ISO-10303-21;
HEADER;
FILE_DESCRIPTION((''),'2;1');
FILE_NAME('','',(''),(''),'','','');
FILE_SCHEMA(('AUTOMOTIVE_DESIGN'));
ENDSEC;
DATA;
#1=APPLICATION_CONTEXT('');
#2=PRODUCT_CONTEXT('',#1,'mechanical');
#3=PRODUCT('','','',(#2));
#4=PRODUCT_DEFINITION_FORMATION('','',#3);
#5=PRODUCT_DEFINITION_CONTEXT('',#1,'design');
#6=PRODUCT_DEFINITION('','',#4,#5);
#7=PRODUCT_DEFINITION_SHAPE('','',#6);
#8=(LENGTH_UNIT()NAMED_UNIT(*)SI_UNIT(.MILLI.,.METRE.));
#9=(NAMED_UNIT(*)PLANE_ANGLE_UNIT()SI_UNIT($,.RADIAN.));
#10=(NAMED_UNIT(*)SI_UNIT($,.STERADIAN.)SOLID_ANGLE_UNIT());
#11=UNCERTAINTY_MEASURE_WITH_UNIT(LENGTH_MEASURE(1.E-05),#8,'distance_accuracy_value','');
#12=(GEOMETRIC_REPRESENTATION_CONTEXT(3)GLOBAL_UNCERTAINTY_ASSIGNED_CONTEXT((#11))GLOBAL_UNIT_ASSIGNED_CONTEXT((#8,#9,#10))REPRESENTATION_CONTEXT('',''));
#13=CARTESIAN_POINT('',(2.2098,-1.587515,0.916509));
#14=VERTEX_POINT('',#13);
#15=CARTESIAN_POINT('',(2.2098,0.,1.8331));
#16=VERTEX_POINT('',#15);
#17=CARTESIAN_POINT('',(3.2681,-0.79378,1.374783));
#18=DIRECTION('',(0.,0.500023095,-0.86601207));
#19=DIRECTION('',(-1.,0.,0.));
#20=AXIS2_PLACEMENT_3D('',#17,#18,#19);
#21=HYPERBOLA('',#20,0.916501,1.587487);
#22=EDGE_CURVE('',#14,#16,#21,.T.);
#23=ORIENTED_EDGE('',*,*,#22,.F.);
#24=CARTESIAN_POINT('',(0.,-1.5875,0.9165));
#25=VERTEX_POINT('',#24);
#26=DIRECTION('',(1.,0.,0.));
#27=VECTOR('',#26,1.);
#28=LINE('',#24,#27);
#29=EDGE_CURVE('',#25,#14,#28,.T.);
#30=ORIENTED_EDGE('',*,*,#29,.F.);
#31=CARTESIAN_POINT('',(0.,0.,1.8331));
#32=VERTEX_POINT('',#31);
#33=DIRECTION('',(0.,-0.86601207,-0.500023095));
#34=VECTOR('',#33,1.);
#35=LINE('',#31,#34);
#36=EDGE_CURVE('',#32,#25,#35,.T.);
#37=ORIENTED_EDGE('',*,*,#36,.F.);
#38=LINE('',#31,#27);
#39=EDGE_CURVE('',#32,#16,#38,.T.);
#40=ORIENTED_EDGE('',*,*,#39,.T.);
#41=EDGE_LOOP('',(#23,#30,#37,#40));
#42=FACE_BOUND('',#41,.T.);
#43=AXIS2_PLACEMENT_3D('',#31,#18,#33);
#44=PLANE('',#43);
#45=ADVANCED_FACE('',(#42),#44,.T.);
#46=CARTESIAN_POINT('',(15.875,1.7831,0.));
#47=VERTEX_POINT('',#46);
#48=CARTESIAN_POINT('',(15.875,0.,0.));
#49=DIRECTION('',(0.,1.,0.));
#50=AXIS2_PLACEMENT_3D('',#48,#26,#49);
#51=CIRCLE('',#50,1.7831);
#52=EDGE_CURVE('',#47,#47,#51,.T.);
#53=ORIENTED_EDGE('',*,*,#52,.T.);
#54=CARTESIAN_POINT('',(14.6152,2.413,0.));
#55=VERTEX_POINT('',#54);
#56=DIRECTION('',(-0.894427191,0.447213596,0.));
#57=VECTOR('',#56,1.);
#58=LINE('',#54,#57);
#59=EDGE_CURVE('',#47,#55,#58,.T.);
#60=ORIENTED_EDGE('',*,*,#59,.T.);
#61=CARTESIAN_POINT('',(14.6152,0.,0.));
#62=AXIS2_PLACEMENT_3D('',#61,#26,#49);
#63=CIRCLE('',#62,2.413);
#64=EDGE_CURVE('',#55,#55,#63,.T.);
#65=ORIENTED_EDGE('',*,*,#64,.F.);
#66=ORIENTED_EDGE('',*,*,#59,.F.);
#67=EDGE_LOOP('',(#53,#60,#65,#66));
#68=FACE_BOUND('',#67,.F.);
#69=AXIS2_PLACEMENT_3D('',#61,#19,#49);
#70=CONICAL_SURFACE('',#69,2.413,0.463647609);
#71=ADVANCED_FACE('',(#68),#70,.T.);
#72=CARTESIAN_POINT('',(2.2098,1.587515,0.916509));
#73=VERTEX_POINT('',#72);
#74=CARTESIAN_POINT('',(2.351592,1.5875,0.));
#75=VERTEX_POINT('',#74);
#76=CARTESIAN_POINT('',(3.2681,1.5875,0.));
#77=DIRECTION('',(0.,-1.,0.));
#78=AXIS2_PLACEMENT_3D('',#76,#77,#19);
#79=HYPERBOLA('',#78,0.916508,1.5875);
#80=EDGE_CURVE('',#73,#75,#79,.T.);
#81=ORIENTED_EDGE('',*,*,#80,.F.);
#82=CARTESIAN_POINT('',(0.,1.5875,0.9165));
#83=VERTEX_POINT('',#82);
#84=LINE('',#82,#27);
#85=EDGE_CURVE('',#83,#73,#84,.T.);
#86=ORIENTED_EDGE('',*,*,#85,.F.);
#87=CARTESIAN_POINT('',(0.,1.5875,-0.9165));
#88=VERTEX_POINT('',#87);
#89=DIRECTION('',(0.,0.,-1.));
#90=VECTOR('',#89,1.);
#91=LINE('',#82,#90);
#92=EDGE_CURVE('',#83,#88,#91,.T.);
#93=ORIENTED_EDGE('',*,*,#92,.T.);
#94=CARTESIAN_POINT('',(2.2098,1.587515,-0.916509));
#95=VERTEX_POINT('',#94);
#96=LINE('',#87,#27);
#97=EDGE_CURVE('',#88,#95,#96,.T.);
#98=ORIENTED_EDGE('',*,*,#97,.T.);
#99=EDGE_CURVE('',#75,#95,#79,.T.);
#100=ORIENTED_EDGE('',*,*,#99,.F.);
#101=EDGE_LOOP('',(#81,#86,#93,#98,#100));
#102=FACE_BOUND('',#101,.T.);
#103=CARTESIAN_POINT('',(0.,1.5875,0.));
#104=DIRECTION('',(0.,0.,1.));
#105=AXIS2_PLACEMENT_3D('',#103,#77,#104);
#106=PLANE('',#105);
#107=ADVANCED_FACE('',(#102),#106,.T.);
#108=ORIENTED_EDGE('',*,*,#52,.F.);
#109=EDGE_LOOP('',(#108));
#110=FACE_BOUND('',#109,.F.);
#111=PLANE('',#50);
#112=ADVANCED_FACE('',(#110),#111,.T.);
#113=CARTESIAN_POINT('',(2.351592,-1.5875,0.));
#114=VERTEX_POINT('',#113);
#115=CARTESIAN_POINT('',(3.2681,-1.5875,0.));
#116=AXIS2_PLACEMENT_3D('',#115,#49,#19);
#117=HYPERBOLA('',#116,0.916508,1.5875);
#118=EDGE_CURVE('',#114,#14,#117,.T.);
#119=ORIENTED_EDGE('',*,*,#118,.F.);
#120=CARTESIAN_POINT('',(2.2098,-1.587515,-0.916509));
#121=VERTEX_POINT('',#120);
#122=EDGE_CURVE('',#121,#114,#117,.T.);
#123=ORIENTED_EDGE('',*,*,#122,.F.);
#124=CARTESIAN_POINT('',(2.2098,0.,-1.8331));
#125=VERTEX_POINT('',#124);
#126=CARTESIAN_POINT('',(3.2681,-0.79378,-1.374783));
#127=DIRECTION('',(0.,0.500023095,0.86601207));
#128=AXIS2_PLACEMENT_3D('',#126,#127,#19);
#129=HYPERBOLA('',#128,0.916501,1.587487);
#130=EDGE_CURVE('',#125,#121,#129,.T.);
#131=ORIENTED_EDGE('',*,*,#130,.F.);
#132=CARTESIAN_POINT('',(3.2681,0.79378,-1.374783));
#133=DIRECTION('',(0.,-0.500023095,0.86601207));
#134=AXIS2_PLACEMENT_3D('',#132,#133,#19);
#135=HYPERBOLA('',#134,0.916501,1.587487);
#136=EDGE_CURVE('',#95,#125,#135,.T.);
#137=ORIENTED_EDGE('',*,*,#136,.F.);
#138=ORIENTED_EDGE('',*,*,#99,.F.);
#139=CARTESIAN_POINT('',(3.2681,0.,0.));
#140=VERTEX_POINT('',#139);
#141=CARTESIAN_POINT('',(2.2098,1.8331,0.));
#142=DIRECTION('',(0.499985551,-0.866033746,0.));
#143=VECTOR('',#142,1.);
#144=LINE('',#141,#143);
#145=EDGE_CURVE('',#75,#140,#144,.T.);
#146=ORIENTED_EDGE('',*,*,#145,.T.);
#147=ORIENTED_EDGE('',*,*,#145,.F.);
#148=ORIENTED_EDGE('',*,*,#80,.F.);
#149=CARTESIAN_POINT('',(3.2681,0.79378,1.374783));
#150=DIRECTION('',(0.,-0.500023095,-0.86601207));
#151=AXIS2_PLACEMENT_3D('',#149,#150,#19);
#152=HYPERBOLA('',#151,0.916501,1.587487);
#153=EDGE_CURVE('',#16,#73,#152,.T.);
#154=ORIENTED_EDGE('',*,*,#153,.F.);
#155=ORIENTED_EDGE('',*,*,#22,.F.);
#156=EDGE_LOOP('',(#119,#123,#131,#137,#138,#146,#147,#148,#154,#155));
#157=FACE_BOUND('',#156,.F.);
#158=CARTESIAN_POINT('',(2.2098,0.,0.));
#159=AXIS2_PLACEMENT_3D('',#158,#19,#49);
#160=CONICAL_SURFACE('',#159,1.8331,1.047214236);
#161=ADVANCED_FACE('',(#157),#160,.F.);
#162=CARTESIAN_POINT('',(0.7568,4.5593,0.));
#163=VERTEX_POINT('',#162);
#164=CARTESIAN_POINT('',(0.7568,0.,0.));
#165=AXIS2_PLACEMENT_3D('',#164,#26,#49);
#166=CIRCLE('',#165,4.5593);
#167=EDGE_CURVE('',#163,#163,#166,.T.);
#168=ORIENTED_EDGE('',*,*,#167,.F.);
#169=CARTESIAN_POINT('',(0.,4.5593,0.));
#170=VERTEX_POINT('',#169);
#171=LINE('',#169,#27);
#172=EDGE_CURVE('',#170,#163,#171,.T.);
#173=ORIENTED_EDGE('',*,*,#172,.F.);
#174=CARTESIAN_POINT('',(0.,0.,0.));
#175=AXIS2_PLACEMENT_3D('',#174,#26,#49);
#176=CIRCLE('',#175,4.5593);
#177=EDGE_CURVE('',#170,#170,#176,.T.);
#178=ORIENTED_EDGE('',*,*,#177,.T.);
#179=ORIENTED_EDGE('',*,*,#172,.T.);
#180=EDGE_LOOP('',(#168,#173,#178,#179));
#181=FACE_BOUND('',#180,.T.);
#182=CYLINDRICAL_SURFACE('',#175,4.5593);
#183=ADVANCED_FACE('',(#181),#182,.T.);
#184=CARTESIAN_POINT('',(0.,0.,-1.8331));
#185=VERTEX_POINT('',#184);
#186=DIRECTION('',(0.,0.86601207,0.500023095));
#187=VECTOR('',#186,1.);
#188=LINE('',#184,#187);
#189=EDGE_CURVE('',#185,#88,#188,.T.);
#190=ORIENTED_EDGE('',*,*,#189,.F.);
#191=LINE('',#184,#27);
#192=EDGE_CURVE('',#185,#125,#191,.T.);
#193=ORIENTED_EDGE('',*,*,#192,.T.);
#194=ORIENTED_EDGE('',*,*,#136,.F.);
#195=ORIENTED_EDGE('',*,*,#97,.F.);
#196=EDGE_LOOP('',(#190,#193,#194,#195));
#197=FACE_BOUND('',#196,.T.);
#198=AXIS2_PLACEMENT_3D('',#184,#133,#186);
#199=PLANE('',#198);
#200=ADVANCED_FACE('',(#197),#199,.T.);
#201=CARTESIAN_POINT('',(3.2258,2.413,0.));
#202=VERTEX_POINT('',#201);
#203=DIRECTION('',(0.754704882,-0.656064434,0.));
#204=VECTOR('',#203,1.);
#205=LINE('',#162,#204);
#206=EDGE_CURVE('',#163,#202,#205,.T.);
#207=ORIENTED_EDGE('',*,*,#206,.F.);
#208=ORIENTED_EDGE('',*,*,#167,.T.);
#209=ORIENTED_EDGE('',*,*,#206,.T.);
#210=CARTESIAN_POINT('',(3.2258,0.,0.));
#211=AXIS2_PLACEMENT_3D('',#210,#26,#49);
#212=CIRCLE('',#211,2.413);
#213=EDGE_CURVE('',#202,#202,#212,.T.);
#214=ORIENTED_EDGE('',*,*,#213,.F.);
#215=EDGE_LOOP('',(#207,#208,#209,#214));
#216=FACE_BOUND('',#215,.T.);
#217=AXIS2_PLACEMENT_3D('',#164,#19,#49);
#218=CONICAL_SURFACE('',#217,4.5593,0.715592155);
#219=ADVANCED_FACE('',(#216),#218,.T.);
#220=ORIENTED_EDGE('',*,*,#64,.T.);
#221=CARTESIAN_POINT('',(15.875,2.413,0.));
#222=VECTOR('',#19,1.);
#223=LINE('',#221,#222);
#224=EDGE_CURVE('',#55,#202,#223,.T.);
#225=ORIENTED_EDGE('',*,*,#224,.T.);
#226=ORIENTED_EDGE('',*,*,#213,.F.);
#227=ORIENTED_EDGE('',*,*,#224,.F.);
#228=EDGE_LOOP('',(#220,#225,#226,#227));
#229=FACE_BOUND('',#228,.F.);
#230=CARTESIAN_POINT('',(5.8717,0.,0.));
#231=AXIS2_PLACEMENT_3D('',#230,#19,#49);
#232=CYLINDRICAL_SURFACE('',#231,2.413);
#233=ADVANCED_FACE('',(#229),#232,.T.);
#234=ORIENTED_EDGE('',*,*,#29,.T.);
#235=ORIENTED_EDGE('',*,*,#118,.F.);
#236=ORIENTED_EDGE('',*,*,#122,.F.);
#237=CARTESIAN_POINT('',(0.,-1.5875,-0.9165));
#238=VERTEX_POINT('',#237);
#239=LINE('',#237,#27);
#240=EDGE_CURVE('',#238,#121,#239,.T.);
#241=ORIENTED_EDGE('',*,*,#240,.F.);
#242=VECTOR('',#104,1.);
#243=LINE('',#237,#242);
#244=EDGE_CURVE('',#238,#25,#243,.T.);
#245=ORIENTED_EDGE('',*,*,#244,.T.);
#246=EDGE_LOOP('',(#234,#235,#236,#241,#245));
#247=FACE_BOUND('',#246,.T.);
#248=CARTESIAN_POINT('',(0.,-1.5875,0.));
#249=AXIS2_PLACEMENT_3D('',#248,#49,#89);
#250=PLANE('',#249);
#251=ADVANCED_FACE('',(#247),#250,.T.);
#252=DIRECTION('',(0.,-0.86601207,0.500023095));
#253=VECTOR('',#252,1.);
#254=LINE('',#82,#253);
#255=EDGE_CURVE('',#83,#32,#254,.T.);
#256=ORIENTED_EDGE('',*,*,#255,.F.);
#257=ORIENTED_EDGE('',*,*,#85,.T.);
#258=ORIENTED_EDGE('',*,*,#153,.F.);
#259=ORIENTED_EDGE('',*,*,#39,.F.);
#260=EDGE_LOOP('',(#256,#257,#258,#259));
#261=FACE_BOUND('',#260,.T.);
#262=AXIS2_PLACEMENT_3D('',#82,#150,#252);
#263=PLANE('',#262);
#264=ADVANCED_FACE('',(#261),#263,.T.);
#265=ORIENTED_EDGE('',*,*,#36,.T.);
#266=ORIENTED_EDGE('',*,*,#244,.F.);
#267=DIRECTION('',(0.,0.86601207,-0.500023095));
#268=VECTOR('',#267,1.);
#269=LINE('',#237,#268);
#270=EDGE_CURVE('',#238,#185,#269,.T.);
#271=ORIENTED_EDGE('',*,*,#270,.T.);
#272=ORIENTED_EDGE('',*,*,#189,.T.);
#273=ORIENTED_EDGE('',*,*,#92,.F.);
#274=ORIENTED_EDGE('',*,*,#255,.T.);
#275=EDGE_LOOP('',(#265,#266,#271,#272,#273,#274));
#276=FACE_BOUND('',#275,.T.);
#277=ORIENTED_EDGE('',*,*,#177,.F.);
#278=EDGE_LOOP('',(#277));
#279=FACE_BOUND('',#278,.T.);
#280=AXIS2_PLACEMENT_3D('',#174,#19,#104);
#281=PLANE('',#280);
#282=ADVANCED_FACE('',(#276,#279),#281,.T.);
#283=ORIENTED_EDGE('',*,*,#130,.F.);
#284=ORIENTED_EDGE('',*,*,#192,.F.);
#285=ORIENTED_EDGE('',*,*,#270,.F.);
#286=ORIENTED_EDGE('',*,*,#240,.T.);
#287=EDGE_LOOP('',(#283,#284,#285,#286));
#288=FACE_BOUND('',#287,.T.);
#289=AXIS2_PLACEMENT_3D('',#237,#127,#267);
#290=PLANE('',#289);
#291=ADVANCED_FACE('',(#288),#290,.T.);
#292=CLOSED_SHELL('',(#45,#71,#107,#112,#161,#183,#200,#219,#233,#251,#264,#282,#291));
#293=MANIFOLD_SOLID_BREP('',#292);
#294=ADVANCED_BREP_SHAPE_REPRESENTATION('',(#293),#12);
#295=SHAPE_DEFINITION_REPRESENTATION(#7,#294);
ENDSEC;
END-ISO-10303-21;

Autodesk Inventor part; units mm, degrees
ref_plane "YZ Plane" through (0, 0, 0) normal (1, 0, 0) x (0, 1, 0)
ref_plane "XZ Plane" through (0, 0, 0) normal (0, 1, 0) x (-1, 0, 0)
sketch "Sketch1" plane through (0, 0, 0) normal (0, 0, 1) x (1, 0, 0)
  line L0 (15.875, 0) -> (15.875, 2.413)
  line L1 (15.875, 2.413) -> (5.8717, 2.413)
  line L2 (5.8717, 2.413) -> (3.2258, 2.413)
  line L3 (0, 4.5593) -> (0, 1.8331)
  line L4 (0, 1.8331) -> (2.2098, 1.8331)
  line L5 (2.2098, 1.8331) -> (3.2681, 0)
  line L6 (3.2681, 0) -> (15.875, 0)
  line L7 (0, 4.5593) -> (0.7568, 4.5593)
  line L8 (0.7568, 4.5593) -> (3.2258, 2.413)
  line L9 (3.2258, 2.413) -> (3.2258, 2.413)
  line L10 (5.8717, 2.413) -> (3.2258, 2.413) construction
  line L11 (3.2258, 2.413) -> (3.2258, 2.413)
  line L12 (-3.175, 0) -> (19.05, 0) projected
  line L13 (0, -0.9119) -> (0, 5.4712) projected
  dimension "d0" = 15.875
  dimension "d1" = 10.0033
  dimension "d2" = 2.2098
  dimension "d3" = 4.826
  dimension "d6" = 3.2258
  dimension "d7" = 41
  dimension "d8" = 3.6662
  dimension "d9" = 60
  dimension "d10" = 9.1186
  dimension "d11" = 4.826
  dimension "d12" = 2.6459
revolve "Body" add sketch "Sketch1" angle 360 about axis through (3.2681, 0, 0) along (1, 0, 0) contours L6 L5 L4 L3 L7 L8 L2 L1 L0
sketch "Sketch2" plane through (0, 0, 0) normal (-1, 0, 0) x (0, 0, 1)
  circle A0 centre (0, 0) radius 1.8331 projected
  line L0 (0, -6.383) -> (0, 6.383) projected
  line L1 (-6.383, 0) -> (6.383, 0) projected
  line L2 (1.8331, 0) -> (0.9165, -1.5875)
  line L3 (0.9165, -1.5875) -> (-0.9165, -1.5875)
  line L4 (-0.9165, -1.5875) -> (-1.8331, 0)
  line L5 (-1.8331, 0) -> (-0.9165, 1.5875)
  line L6 (-0.9165, 1.5875) -> (0.9165, 1.5875)
  line L7 (0.9165, 1.5875) -> (1.8331, 0)
  point P0 (0, 1.8331)
extrude "Slot" add sketch "Sketch2" against normal up to next contours L7 A0 | A0 L2 | L6 L0 A0 | A0 L0 L3 | L0 L6 A0 | A0 L3 L0 | L4 A0 | A0 L5
thread "Thread" size "10-24 UNC" class "2A" standard "ANSI Unified Screw Threads" length 10.0033
chamfer "Chamfer1" distance 0.6299 distance2 1.2598 1 edges at (15.875, -2.413, 0) measured on face at (15.875, -0.0132, -0.958)
ref_plane "Work Plane1" through (104.775, 0, 0) normal (0, 0, -1) x (1, 0, 0)
equation "\"d15\" = GEL"
equation "\"d17\" = -0.5 * SPD + 0.5 * GD"
equation "\"d18\" = GUL"
equation "\"d0\" = NLG"
equation "\"d1\" = GEL"
equation "\"d2\" = INTI"
equation "\"d3\" = GD"
equation "\"d6\" = KOH"
equation "\"d7\" = 0.5 * SEWI"
equation "\"d8\" = 1.1547 * SW"
equation "\"d10\" = KOD"
equation "\"d11\" = BDM"
equation "\"d12\" = GAL"
equation "\"NLG\" = 15.875"
equation "\"INTI\" = 2.2098"
equation "\"GEL\" = 10.00328"
equation "\"GAL\" = 2.64592"
equation "\"KOH\" = 3.2258"
equation "\"KOD\" = 9.1186"
equation "\"GUL\" = 1.25984"
equation "\"SPD\" = 3.56616"
equation "\"BDM\" = NND"
equation "\"GD\" = NND"
equation "\"SEWI\" = 82deg"
equation "\"SW\" = 3.175"
equation "\"TOA\" = 30deg"
equation "\"GD1\" = SPD"
equation "\"THREADDIA\" = 4.826"
equation "\"HHPTC\" = 1.05842"
equation "\"NND\" = 4.826"
equation "\"E0\" = 1.155 * SW"
properties part number "ANSI B18.3 - 10-24 UNC x 0.625" material "Steel, Mild"
